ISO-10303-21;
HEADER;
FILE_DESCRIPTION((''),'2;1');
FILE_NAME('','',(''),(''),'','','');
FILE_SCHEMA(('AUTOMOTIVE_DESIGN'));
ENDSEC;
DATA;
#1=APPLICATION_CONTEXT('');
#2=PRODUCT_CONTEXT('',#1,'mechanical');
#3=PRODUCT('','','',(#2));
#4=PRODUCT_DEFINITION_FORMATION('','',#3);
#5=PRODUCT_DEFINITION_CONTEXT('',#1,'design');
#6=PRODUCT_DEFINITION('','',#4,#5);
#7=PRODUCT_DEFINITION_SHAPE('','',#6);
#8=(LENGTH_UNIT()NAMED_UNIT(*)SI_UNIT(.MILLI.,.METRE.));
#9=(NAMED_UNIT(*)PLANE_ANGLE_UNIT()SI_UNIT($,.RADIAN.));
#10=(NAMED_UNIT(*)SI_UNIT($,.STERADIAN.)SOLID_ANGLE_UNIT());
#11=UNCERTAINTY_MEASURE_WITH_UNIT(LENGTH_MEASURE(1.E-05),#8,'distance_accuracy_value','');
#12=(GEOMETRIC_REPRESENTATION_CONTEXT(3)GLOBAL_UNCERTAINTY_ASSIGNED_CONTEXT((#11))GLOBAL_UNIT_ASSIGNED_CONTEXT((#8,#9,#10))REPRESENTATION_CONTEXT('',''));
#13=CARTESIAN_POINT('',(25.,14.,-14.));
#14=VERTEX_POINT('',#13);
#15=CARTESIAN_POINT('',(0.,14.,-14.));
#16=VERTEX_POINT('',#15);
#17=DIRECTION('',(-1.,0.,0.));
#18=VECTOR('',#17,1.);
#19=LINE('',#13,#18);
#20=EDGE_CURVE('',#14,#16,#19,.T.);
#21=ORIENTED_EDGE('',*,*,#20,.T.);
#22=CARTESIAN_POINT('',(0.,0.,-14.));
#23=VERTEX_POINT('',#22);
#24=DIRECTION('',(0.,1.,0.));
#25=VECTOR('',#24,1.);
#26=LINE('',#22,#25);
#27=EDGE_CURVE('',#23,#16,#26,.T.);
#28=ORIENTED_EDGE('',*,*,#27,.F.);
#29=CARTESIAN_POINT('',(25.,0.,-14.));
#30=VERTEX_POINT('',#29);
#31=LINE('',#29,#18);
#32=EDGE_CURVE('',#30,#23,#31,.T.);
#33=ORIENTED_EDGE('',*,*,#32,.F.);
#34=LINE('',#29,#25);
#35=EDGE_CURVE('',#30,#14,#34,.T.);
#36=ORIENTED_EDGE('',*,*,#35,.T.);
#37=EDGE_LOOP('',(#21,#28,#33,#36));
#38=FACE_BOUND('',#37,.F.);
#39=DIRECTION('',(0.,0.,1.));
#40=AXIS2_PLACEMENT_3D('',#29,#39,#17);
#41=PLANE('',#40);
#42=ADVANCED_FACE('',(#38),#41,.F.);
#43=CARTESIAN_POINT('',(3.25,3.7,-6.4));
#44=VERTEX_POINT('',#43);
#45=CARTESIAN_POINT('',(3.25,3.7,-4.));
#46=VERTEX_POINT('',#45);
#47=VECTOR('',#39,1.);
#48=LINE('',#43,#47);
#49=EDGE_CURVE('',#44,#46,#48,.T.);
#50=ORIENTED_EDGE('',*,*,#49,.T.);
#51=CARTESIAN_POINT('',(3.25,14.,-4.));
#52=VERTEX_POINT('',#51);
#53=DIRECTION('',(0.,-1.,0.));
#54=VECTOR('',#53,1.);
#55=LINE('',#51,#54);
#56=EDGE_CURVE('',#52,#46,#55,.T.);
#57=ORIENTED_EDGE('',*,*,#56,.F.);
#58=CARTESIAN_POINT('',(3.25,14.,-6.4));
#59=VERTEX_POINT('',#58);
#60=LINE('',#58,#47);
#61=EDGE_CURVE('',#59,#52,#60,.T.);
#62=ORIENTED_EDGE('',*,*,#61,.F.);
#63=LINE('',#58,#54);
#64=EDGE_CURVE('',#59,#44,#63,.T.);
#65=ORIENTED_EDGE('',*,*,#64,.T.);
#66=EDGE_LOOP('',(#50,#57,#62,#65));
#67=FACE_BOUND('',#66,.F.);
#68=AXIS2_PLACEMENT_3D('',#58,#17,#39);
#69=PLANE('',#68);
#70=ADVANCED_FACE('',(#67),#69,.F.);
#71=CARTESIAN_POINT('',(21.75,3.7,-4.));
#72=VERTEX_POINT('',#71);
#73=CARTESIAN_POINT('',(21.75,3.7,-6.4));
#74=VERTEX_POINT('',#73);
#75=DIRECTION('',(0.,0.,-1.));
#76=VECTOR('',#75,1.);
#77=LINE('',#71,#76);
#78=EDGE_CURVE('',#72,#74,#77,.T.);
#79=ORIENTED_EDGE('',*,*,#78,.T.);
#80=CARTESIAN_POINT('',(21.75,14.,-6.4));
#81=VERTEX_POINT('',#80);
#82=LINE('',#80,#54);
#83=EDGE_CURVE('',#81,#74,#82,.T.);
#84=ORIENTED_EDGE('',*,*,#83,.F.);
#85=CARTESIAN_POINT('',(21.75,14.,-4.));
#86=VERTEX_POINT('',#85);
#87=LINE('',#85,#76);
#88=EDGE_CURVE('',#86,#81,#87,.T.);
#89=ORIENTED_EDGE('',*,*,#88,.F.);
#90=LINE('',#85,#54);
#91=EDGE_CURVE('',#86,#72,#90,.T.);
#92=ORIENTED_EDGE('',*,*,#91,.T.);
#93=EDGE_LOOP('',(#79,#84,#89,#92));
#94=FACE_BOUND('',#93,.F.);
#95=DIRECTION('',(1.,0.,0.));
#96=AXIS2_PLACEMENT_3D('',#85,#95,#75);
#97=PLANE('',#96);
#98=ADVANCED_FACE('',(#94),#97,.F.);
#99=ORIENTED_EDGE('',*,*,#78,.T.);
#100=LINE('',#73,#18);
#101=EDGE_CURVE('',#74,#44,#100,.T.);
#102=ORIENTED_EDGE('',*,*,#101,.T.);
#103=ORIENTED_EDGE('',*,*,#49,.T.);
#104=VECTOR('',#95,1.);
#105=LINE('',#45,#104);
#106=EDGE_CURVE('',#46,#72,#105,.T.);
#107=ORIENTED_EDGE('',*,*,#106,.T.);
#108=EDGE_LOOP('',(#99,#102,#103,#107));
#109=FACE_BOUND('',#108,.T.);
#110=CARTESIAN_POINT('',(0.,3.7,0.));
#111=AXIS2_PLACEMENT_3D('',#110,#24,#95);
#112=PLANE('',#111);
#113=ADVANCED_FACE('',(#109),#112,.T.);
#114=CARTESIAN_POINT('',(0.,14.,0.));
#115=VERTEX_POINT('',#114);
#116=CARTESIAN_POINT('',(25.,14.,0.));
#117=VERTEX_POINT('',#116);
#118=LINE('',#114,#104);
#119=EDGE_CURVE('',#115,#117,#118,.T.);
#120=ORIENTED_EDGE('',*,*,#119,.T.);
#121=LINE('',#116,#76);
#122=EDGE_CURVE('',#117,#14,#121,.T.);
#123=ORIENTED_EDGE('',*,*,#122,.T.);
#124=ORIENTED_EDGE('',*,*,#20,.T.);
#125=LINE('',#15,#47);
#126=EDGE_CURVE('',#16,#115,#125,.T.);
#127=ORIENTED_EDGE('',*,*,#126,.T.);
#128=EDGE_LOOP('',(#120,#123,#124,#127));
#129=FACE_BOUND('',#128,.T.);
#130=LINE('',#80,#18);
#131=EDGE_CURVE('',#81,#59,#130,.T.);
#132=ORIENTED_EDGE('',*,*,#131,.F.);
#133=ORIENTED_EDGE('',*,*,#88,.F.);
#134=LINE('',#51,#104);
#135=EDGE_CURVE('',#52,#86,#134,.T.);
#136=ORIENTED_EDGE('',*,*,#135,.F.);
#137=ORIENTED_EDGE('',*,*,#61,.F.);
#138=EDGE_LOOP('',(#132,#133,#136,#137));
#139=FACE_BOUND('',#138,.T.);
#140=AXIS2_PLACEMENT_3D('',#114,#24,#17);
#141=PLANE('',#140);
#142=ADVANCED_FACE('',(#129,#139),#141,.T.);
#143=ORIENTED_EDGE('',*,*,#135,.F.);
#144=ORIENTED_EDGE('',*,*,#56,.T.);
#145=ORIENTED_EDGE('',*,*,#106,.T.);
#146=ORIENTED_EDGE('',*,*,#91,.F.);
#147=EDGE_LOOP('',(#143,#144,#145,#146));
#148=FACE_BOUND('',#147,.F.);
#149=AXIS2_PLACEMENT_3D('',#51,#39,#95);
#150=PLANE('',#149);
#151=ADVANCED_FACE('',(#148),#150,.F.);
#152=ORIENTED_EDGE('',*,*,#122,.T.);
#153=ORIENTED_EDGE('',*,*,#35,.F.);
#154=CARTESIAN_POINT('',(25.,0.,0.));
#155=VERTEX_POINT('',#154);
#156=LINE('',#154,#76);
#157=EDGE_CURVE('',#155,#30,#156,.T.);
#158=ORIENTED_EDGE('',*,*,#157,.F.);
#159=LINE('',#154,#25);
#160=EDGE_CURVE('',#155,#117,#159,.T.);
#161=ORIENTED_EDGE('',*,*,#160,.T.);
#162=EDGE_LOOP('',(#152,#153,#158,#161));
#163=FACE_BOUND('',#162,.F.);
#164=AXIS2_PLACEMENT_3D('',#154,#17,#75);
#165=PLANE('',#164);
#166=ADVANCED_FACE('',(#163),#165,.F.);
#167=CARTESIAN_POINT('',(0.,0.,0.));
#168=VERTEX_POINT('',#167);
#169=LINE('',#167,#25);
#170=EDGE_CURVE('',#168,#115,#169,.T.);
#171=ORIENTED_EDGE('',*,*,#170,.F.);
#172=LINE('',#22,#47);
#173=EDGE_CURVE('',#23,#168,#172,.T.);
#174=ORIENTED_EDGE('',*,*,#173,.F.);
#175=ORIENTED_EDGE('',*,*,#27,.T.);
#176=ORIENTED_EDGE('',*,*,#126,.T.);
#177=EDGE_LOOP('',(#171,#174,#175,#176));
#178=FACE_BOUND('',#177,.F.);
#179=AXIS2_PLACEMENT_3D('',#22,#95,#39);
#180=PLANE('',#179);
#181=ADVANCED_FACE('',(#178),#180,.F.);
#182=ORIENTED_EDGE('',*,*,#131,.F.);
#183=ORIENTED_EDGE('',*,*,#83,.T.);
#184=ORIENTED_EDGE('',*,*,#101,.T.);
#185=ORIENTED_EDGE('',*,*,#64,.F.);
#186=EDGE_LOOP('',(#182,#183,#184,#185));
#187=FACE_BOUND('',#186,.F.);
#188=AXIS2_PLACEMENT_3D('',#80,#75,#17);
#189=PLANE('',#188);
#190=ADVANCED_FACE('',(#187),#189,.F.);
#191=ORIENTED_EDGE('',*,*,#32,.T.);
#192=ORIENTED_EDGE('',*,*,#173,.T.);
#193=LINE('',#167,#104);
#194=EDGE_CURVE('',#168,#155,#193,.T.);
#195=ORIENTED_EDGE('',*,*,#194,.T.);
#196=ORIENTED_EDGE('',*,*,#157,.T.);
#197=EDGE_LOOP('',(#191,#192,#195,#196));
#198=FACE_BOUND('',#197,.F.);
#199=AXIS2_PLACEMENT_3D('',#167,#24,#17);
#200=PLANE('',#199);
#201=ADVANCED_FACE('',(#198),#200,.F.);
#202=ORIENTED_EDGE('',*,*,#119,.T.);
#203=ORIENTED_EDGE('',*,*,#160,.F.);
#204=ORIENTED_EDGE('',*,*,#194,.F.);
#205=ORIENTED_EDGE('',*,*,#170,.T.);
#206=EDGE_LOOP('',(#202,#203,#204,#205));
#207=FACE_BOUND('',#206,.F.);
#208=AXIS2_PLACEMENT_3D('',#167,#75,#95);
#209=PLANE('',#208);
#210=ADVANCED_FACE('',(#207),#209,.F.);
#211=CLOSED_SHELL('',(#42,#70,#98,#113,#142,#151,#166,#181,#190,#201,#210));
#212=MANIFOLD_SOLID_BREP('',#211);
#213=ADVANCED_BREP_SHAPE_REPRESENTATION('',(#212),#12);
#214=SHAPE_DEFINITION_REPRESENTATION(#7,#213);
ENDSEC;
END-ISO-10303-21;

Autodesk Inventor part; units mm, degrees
ref_plane "YZ Plane" through (0, 0, 0) normal (1, 0, 0) x (0, 1, 0)
ref_plane "XZ Plane" through (0, 0, 0) normal (0, 1, 0) x (-1, 0, 0)
ref_plane "XY Plane" through (0, 0, 0) normal (0, 0, 1) x (1, 0, 0)
sketch "Sketch1" plane through (0, 0, 0) normal (0, 1, 0) x (-1, 0, 0)
  line L0 (0, 0) -> (-25, 0)
  line L1 (-25, 0) -> (-25, -14)
  line L2 (-25, -14) -> (0, -14)
  line L3 (0, -14) -> (0, 0)
  dimension "d0" = 25
  dimension "d1" = 14
extrude "Extrusion1" add sketch "Sketch1" along normal blind 14
sketch "Sketch2" plane through (0, 14, 0) normal (0, 1, 0) x (1, 0, 0)
  line L0 (3.25, 4) -> (21.75, 4)
  line L1 (21.75, 4) -> (21.75, 6.4)
  line L2 (21.75, 6.4) -> (3.25, 6.4)
  line L3 (3.25, 6.4) -> (3.25, 4)
  point P0 (0, 0)
  dimension "d6" = 18.5
  dimension "d7" = 2.4
extrude "Extrusion2" cut sketch "Sketch2" against normal blind 10.3
properties part number "ServoOverServo"
